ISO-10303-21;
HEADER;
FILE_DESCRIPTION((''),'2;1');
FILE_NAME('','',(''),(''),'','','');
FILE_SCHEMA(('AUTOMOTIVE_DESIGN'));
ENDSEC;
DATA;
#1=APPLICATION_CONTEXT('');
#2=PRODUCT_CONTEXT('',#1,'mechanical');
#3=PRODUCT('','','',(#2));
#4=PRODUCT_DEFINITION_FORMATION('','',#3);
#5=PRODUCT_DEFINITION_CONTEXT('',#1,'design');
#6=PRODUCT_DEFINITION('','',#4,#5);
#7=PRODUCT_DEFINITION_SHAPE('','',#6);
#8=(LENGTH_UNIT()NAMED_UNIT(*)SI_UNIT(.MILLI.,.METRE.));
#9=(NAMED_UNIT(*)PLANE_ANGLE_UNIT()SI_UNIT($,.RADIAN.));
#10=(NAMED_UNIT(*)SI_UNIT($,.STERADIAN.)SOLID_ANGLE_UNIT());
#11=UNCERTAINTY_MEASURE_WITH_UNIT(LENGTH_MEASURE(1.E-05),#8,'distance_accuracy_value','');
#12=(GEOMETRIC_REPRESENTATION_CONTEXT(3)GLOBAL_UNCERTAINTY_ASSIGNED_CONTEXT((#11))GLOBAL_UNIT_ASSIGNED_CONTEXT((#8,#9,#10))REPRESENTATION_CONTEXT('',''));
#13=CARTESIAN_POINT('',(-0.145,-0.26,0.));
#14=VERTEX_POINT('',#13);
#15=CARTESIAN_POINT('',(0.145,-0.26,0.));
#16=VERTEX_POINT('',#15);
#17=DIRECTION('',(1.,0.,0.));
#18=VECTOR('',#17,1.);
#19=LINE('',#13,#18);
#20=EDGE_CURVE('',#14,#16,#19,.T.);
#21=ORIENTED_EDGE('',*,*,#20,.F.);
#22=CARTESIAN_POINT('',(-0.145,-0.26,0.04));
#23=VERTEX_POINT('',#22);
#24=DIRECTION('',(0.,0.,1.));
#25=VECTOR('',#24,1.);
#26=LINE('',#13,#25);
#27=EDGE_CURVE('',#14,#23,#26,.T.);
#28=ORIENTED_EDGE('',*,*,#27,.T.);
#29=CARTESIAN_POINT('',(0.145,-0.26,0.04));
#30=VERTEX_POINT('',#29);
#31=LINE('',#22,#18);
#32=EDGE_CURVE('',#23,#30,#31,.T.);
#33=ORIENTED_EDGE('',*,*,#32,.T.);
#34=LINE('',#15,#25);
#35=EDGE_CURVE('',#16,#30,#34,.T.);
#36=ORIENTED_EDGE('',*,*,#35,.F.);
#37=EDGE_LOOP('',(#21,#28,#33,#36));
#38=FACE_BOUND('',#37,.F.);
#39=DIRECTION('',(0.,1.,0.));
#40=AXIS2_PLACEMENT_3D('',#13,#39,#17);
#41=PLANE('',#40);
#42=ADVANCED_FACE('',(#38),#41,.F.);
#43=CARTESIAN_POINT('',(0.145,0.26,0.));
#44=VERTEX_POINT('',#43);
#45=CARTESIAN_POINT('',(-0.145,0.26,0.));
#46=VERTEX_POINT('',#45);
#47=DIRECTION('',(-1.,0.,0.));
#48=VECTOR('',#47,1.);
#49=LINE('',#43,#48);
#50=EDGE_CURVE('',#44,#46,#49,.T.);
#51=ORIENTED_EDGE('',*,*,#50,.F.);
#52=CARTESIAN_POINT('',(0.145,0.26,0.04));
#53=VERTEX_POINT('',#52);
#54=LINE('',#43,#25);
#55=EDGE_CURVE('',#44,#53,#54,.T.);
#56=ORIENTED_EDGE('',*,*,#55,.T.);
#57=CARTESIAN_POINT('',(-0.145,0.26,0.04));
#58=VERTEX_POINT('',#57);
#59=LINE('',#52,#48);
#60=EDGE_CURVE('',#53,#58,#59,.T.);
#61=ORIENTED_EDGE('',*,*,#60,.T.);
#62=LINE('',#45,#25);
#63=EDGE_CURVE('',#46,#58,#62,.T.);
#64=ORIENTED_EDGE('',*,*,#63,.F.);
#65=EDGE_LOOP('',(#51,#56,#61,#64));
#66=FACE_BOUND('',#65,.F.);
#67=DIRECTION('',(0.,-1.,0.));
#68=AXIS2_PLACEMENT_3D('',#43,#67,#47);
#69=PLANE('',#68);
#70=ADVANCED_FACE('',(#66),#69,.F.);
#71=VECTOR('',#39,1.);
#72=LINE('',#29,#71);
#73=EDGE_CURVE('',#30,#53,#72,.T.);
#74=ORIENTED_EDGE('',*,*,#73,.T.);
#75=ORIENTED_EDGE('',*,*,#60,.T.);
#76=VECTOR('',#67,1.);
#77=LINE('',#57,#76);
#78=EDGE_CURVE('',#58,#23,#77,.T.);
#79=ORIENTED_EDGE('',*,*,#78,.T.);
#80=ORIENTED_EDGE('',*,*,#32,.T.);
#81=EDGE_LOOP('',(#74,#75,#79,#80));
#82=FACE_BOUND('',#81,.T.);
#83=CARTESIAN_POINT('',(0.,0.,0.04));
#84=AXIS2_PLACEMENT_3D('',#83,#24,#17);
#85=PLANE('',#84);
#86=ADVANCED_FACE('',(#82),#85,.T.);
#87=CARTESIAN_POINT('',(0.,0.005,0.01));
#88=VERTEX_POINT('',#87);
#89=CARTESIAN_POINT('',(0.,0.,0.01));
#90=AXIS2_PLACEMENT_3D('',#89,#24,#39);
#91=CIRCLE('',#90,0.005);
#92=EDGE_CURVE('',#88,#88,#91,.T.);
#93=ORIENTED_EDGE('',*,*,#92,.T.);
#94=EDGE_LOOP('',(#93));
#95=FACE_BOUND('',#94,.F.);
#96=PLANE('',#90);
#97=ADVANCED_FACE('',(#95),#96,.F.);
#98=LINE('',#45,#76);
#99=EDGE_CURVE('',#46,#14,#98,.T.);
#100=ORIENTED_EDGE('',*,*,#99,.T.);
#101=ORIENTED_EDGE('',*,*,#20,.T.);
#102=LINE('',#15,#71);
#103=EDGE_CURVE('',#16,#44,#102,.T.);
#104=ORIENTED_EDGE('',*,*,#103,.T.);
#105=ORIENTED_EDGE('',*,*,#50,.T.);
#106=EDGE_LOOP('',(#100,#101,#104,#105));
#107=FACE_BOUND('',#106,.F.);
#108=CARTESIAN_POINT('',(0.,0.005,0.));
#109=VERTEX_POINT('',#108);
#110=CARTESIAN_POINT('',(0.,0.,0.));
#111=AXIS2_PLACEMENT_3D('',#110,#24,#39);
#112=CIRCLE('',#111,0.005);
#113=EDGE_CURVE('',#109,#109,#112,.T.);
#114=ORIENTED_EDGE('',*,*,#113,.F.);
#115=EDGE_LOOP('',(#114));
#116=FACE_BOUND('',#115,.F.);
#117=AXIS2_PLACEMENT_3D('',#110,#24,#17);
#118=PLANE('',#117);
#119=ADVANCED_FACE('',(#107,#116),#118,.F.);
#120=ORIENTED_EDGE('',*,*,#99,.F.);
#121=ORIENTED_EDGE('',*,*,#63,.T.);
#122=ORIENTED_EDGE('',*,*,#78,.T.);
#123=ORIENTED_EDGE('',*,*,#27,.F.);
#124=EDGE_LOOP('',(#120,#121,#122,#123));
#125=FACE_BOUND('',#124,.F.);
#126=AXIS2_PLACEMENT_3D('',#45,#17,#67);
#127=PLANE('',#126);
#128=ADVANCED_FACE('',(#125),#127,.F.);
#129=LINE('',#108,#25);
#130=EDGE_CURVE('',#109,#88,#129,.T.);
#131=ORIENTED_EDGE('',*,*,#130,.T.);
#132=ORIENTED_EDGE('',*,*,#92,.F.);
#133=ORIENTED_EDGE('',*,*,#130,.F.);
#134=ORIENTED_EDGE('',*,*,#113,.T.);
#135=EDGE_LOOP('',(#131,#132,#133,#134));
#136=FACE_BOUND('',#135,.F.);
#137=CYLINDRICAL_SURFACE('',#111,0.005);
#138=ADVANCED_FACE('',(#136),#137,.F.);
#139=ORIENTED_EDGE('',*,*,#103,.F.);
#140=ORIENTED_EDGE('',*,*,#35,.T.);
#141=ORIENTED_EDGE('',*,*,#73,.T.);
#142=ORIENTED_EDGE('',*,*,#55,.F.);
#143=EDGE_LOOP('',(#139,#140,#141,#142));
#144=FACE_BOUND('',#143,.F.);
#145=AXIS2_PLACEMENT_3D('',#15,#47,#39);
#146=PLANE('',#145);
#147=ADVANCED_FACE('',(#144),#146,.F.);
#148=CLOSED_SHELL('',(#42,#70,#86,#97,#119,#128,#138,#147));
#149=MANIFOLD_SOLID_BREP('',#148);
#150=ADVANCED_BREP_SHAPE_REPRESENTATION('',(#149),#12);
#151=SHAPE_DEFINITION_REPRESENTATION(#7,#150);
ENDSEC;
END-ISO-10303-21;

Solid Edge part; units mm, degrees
sketch "Sketch1" plane through (0, 0, 0) normal (0, 0, 1) x (1, 0, 0)
  line L0 (-0.145, -0.26) -> (0.145, -0.26)
  line L1 (0.145, -0.26) -> (0.145, 0.26)
  line L2 (0.145, 0.26) -> (-0.145, 0.26)
  line L3 (-0.145, 0.26) -> (-0.145, -0.26)
  dimension "D1" = 0.29
  dimension "D2" = 0.52
extrude "Protrusion1" add sketch "Sketch1" along normal blind 0.04
hole "Bohrung_1" at (0, 0, 0) direction (0, 0, 1) diameter 0.01 depth 0.01
